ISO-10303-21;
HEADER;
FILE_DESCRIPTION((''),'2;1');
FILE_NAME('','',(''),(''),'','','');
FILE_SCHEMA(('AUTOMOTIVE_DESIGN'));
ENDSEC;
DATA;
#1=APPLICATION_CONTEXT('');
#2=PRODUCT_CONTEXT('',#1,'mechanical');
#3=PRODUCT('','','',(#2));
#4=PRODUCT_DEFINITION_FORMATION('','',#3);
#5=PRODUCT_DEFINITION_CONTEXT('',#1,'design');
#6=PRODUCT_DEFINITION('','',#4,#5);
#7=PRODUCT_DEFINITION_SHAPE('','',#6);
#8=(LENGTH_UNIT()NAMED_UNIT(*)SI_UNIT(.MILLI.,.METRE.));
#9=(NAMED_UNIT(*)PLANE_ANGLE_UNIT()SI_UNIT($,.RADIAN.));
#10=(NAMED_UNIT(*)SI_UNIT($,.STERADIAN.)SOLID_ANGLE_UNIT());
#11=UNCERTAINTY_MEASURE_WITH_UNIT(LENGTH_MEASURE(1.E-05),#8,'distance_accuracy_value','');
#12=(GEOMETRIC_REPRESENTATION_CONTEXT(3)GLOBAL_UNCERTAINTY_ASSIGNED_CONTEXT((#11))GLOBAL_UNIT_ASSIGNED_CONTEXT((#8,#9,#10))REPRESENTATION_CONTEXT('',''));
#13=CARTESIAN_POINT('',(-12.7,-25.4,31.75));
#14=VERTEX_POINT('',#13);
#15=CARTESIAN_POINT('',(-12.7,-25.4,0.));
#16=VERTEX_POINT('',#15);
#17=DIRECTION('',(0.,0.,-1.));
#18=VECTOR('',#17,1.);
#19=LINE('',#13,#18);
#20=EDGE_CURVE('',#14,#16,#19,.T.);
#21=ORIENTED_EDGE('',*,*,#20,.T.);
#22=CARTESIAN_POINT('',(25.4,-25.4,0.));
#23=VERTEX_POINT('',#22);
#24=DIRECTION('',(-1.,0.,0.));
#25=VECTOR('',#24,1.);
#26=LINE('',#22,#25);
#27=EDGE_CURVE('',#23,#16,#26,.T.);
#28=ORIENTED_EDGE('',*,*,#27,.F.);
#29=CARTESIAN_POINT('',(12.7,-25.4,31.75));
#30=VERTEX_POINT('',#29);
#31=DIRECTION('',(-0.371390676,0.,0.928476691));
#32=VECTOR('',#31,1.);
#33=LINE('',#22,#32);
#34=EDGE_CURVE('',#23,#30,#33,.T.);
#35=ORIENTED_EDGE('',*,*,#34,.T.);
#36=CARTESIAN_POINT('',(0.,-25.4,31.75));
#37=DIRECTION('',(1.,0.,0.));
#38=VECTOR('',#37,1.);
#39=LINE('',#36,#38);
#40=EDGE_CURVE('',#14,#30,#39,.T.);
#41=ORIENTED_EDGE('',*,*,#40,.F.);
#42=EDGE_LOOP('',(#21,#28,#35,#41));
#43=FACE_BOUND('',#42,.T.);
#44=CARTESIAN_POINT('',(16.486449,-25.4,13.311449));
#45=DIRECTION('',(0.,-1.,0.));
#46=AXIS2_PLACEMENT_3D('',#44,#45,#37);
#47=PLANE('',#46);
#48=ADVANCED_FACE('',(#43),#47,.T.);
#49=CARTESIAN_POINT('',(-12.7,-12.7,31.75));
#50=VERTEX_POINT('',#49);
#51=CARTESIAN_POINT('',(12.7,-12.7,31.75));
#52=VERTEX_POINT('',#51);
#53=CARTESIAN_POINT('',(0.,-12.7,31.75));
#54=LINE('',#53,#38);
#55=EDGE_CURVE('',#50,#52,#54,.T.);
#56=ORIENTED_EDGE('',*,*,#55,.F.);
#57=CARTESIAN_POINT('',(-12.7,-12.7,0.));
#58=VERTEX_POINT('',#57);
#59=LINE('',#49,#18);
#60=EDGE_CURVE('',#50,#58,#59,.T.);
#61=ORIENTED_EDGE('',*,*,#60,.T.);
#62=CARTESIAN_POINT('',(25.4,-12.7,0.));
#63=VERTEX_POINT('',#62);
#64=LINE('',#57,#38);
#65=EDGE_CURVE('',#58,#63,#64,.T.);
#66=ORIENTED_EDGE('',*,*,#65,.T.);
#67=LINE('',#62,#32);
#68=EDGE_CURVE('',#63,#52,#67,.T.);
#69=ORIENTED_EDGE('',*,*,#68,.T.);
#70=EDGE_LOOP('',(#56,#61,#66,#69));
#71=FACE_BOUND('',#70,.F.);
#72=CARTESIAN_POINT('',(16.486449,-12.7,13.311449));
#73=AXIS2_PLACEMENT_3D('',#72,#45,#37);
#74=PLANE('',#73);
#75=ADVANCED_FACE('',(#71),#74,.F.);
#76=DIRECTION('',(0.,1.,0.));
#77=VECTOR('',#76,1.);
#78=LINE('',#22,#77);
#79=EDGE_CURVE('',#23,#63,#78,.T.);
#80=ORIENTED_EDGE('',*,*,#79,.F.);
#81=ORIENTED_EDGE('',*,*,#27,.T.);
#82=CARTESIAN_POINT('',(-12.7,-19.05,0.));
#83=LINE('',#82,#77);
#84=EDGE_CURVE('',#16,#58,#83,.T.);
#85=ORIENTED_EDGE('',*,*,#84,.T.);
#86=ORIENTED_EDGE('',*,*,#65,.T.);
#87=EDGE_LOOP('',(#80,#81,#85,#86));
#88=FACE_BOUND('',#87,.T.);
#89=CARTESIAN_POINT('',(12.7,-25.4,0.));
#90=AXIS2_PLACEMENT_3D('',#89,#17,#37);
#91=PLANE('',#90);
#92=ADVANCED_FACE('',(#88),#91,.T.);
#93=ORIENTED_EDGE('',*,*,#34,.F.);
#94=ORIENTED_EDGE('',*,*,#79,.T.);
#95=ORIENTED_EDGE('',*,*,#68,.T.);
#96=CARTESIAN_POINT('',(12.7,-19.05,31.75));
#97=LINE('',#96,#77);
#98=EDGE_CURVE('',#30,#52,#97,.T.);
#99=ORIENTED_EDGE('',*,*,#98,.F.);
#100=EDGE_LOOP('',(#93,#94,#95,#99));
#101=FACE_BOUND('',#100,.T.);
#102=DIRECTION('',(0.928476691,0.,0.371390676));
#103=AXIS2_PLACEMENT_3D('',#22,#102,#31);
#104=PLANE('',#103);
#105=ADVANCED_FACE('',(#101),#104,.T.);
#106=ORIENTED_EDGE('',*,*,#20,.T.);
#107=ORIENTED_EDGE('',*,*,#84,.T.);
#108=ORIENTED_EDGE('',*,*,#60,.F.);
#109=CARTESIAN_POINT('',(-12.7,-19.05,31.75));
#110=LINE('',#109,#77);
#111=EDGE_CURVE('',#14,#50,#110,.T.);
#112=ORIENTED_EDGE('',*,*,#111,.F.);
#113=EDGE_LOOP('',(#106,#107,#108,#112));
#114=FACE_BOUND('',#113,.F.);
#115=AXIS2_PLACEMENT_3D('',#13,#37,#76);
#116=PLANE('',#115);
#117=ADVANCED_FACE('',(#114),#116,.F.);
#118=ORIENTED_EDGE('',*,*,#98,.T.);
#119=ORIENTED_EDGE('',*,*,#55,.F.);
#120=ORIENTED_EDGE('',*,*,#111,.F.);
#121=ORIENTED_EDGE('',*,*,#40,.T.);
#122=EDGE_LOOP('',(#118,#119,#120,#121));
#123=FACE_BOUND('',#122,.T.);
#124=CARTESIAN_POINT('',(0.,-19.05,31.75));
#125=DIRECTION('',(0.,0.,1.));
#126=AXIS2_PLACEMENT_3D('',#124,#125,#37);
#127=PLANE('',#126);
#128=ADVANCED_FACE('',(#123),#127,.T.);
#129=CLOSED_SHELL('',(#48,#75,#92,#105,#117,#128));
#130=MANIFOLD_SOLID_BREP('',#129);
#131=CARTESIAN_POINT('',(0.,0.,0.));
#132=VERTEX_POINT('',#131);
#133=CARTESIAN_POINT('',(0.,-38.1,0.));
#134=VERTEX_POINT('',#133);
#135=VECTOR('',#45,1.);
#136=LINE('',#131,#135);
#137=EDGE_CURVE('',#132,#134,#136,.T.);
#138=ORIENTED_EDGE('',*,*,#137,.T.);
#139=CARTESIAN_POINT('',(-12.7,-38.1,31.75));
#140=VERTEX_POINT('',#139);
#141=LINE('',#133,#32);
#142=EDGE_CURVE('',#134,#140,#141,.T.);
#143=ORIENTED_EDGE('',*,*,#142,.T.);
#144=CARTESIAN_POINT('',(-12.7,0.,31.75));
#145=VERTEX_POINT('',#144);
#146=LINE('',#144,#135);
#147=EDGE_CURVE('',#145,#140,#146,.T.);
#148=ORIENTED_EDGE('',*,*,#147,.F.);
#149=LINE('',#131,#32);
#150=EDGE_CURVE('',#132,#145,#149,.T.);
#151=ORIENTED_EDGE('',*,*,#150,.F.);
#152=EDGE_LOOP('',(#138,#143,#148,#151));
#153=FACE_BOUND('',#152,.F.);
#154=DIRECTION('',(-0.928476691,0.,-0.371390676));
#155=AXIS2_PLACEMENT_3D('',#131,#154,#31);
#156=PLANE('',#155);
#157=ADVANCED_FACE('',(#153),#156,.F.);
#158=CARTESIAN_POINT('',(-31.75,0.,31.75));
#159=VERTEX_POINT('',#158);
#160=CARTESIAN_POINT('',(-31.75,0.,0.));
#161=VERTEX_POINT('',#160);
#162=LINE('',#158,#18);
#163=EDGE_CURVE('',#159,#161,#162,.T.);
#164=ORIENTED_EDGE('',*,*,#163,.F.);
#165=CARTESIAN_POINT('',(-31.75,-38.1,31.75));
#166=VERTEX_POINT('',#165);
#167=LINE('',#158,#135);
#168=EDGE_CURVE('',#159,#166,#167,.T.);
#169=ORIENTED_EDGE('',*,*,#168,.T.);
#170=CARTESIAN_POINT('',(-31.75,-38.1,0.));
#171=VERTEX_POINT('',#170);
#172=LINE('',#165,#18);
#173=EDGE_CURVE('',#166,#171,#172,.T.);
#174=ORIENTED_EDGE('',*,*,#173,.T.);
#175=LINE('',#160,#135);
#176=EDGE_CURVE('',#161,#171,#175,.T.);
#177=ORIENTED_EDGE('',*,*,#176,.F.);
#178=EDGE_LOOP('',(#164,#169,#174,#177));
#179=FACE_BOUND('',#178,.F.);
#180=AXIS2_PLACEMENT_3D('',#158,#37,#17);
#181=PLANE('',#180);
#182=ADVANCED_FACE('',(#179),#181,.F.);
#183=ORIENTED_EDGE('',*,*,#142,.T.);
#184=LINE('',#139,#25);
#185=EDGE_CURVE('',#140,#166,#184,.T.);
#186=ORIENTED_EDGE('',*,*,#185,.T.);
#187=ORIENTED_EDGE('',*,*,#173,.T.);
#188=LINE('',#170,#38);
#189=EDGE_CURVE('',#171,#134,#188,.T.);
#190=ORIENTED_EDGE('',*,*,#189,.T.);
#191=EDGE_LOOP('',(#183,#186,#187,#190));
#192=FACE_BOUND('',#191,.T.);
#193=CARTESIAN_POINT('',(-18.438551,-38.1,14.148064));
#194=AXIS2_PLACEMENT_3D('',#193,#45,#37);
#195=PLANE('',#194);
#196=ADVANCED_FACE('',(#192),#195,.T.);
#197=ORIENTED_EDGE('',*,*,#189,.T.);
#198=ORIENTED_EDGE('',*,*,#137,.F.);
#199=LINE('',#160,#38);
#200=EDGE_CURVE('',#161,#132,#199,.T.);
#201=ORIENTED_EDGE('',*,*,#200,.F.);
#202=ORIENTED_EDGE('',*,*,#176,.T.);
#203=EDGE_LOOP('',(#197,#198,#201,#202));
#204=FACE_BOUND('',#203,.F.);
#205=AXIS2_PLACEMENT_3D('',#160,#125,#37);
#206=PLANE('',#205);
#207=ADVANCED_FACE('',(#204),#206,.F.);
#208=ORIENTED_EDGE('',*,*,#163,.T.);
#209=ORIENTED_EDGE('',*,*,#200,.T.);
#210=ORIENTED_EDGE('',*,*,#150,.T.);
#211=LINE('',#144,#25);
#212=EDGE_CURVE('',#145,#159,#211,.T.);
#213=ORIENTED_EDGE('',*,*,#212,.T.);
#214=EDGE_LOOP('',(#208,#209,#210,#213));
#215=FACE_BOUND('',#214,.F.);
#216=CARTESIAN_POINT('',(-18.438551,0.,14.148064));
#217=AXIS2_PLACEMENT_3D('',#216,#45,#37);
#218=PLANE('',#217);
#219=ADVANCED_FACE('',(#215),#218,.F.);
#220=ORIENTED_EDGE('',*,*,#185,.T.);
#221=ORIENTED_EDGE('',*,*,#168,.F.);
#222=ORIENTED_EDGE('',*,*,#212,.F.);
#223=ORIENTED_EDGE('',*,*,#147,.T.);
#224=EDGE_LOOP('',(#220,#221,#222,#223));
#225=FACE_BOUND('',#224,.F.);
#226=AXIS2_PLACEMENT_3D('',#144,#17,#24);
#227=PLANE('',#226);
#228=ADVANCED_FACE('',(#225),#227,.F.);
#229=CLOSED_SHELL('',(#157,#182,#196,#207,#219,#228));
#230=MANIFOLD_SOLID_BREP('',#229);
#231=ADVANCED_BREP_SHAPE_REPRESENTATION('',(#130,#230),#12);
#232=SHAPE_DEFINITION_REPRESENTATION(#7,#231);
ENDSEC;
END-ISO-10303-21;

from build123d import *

# Parameters (mm, degrees)
F1_DEPTH = 38.1
F2_W     = 25.4
F2_H     = 12.7
F3_DEPTH = 31.75
F5_DEPTH = 12.7


with BuildPart() as f1:
    # F0 (on Front) → F1 (new body)
    with BuildSketch(Plane.XZ):
        Polygon((-31.75, 0), (0, 0), (-12.7, 31.75), (-31.75, 31.75), align=None)
    extrude(amount=F1_DEPTH)


with BuildPart() as f3:
    # F2 (on face) → F3 (new body)
    with BuildSketch(Plane.XY.offset(31.75)):
        with Locations((0, -19.05)):
            Rectangle(F2_W, F2_H)
    extrude(amount=-F3_DEPTH)

    # F4 (on face) → F5 (join)
    with BuildSketch(Plane.XZ.offset(25.4)):
        Polygon((25.4, 0), (12.7, 31.75), (12.7, 0), align=None)
    extrude(amount=-F5_DEPTH)


solid = Compound([f1.part, f3.part])
